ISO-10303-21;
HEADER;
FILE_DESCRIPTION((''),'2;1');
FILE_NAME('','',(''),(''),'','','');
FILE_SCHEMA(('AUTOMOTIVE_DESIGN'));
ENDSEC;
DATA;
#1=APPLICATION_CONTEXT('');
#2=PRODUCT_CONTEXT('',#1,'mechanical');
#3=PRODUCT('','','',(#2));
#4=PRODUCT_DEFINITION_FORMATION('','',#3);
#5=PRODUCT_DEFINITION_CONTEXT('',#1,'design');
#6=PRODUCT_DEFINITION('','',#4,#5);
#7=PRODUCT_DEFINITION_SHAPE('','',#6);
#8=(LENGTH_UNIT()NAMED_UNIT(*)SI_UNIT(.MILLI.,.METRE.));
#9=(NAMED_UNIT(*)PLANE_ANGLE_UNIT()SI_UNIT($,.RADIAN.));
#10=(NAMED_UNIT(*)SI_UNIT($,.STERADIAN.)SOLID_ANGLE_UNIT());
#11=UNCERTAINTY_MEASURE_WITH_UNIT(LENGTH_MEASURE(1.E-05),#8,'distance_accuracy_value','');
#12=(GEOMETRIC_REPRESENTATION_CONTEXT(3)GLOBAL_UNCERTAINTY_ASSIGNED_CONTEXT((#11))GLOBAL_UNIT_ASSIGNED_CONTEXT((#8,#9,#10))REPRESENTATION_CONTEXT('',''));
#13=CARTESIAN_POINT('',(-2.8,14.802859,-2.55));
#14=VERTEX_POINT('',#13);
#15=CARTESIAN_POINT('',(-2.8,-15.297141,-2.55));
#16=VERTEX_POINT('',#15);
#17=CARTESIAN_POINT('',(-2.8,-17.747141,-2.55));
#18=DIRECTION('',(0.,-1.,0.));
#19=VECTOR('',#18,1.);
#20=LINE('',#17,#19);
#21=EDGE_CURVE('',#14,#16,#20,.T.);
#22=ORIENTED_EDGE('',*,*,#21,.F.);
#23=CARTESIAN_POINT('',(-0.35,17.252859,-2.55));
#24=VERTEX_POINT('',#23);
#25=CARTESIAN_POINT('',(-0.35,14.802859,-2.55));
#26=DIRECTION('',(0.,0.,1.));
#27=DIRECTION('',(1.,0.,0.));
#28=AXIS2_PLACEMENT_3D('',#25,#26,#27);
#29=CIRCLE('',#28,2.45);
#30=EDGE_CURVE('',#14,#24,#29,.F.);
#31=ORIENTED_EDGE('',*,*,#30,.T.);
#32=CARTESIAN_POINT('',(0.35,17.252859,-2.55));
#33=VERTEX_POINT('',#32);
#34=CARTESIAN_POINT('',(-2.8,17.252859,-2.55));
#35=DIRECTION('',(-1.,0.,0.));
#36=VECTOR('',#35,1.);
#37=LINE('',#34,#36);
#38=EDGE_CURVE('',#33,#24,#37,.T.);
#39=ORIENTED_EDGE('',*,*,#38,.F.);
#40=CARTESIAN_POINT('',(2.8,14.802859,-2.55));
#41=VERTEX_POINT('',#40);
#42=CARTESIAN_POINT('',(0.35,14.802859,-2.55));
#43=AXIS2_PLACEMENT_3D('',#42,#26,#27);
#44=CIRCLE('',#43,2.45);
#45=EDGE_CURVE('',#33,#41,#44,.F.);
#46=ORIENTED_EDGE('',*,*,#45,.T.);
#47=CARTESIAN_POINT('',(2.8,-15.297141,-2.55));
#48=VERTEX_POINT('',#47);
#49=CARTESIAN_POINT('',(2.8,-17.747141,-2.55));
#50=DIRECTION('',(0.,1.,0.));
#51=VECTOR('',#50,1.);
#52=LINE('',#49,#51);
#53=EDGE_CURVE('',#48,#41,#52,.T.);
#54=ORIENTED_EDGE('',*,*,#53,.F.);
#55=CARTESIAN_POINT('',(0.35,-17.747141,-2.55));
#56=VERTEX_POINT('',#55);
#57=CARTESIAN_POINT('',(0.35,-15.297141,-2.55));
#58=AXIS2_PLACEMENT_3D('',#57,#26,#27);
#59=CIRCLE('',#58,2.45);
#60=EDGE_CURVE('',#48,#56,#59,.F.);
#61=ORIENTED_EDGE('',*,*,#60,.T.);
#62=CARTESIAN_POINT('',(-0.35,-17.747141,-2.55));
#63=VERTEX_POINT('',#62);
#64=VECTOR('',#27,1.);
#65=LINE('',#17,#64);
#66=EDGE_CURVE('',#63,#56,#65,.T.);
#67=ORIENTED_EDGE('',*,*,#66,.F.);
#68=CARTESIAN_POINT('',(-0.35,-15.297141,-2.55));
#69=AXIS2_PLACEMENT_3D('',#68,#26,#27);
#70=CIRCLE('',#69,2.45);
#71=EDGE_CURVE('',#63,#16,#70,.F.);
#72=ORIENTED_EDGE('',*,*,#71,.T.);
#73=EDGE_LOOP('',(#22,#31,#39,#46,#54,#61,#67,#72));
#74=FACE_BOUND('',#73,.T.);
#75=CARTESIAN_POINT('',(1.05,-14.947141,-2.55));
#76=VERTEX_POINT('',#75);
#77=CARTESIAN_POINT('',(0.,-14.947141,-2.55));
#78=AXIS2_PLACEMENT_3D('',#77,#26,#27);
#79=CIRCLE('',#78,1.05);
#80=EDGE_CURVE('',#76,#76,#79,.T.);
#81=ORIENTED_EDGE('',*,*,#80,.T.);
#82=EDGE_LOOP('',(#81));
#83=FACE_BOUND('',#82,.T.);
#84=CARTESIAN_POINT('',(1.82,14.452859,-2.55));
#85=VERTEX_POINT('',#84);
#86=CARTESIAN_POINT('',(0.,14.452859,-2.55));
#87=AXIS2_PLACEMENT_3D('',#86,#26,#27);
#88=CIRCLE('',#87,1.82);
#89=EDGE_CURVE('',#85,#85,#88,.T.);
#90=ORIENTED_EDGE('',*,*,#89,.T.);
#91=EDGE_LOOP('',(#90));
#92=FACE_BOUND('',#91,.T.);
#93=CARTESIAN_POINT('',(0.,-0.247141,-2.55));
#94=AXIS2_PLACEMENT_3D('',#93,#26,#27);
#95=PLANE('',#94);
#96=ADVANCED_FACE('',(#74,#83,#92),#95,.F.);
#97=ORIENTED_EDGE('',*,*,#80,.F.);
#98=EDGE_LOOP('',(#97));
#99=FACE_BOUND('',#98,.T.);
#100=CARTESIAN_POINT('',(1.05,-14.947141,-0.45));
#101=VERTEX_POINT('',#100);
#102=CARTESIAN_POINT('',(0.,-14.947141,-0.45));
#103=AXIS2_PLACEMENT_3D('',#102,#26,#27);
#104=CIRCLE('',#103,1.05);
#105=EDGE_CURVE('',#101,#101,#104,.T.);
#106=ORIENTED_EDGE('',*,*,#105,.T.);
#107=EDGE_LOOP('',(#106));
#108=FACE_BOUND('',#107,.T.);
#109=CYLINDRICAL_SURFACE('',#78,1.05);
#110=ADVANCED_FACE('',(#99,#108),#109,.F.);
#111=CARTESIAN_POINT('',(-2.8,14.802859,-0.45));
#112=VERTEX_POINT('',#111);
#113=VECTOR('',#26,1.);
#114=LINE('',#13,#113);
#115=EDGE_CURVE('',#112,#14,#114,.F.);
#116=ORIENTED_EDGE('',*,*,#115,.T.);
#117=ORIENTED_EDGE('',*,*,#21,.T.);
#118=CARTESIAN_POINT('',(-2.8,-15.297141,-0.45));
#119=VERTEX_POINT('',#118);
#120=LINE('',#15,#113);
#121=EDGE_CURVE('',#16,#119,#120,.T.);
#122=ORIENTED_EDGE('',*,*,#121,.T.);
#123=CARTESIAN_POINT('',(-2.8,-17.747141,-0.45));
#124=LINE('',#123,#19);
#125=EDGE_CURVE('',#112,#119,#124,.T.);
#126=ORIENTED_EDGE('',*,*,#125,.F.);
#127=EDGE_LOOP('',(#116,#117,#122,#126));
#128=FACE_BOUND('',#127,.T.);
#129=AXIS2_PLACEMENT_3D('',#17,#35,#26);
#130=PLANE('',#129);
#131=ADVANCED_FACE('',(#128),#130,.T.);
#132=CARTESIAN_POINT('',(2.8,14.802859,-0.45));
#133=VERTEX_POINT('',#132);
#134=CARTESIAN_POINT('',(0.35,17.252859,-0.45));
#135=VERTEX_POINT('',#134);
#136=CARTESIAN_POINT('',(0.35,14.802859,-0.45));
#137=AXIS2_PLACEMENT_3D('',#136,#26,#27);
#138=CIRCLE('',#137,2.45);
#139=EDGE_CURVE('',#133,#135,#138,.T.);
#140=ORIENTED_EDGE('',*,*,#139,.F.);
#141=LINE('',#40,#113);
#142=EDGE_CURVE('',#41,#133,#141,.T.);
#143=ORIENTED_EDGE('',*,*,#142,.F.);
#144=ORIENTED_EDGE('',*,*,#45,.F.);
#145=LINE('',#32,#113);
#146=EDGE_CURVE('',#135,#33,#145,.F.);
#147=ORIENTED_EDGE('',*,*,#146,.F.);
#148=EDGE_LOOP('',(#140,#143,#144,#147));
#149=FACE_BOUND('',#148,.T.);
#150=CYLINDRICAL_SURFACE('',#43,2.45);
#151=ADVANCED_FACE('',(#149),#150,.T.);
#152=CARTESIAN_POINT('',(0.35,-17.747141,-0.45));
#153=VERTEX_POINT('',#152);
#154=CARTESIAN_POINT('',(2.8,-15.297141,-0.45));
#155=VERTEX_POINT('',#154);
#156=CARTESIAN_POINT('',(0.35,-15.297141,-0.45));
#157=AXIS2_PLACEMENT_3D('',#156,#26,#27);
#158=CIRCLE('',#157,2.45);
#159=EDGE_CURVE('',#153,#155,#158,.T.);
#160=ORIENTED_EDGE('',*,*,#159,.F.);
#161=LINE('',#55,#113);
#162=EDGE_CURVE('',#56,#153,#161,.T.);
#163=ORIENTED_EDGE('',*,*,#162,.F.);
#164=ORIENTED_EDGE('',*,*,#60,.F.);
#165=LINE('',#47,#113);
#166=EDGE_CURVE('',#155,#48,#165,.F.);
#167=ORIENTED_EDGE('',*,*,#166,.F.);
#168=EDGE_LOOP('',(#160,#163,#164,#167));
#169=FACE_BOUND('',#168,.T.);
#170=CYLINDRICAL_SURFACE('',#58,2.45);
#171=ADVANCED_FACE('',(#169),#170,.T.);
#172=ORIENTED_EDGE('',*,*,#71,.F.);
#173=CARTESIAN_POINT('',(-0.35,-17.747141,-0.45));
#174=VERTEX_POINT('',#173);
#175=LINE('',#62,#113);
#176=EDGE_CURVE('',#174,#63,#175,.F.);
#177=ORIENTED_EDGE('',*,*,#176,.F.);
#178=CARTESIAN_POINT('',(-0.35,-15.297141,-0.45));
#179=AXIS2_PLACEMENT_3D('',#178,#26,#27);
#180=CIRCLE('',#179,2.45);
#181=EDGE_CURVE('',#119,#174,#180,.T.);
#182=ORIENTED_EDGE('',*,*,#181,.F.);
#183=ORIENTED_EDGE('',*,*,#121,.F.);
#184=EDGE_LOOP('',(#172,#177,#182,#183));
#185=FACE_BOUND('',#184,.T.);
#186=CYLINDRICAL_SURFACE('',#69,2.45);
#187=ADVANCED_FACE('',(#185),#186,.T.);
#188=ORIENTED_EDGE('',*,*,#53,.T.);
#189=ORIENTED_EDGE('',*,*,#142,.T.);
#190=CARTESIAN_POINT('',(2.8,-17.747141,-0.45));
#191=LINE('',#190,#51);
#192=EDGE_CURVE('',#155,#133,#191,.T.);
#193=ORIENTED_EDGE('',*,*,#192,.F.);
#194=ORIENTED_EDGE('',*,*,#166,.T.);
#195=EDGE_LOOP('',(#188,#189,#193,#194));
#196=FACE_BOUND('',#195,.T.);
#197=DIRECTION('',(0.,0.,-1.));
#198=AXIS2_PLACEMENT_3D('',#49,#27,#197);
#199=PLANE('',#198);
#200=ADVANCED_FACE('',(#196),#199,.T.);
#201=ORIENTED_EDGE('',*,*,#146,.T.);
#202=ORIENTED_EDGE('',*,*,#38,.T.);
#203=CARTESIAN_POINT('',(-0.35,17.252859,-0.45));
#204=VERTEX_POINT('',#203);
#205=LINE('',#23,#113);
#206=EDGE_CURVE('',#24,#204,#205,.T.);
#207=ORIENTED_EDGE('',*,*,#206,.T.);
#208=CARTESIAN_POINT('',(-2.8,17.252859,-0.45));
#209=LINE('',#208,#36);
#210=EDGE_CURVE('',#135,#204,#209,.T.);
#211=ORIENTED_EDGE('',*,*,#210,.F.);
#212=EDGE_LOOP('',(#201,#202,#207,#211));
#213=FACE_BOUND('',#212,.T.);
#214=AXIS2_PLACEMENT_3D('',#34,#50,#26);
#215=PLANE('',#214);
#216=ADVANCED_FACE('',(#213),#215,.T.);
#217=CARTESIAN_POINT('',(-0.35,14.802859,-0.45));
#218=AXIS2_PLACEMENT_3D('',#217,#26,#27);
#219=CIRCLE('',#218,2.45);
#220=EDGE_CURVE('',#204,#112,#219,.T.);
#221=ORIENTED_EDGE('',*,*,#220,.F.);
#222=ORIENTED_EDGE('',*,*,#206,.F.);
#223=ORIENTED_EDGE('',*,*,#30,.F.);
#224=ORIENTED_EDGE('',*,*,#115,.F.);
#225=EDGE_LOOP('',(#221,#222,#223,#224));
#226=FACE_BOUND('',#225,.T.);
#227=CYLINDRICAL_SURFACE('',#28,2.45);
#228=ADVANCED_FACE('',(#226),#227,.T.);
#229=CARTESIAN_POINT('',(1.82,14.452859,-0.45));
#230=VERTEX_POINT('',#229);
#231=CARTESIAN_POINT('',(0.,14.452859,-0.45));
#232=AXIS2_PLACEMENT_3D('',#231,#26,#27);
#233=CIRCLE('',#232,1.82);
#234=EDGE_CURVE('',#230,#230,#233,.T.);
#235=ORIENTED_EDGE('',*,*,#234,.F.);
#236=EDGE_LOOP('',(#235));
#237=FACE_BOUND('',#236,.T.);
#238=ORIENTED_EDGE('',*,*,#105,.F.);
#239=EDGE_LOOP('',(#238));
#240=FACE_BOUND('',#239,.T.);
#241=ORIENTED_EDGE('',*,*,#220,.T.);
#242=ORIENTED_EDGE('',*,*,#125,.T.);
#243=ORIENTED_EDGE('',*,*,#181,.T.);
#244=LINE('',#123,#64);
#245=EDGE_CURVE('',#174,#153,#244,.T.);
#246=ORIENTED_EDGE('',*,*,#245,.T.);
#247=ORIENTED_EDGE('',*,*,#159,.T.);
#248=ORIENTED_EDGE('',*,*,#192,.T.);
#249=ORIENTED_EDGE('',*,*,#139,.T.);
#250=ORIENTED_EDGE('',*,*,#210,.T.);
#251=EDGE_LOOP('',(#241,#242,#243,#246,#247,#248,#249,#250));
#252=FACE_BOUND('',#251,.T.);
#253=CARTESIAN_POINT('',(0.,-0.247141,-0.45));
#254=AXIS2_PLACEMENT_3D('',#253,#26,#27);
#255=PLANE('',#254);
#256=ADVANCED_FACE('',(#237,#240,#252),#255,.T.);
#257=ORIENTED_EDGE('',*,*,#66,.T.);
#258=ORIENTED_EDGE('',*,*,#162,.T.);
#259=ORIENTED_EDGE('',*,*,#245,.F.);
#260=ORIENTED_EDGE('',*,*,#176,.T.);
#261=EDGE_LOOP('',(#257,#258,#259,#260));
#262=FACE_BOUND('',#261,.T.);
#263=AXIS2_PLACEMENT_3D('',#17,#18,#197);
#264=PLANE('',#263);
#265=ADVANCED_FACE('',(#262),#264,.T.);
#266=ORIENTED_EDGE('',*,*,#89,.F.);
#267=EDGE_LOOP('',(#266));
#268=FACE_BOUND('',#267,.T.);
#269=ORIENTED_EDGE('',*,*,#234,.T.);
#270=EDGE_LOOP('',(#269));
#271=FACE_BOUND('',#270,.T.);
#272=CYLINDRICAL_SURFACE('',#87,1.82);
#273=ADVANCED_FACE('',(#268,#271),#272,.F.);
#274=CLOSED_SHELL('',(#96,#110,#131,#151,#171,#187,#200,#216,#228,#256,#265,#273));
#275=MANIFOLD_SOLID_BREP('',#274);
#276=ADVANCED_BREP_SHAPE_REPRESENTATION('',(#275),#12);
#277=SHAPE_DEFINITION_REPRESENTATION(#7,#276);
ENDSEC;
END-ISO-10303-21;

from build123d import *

# Parameters (mm, degrees)
SKETCH1_W           = 50
SKETCH1_H           = 8
SKETCH1_R           = 1.5
SKETCH1_R_2         = 2.6
BOSS_EXTRUDE1_DEPTH = 3
FILLET1_R           = 3.5
SCALE1_SCALE        = 0.7


with BuildPart() as part:
    # Sketch1 → Boss-Extrude1 (new body)
    with BuildSketch(Plane(origin=(0, 0, 0), x_dir=(0, 1, 0), z_dir=(0, 0, 1))):
        Rectangle(SKETCH1_W, SKETCH1_H)
        with Locations(Location((-21, 0, 0), (0, 0, 270))):
            Circle(SKETCH1_R, mode=Mode.SUBTRACT)
        with Locations(Location((21, 0, 0), (0, 0, 270))):
            Circle(SKETCH1_R_2, mode=Mode.SUBTRACT)
    extrude(amount=-BOSS_EXTRUDE1_DEPTH)

    # Fillet1
    fillet1_edges = [part.edges().sort_by_distance(p)[0] for p in [
        (4, 25, -1.5),
        (4, -25, -1.5),
        (-4, -25, -1.5),
        (-4, 25, -1.5),
    ]]
    fillet(fillet1_edges, radius=FILLET1_R)


with BuildPart() as part_1:
    # Scale1: scaled about (0, -0.82380326, -1.5)
    add(part.part.scale(SCALE1_SCALE).moved(Location((0, -0.247140978, -0.45))))


solid = part_1.part
